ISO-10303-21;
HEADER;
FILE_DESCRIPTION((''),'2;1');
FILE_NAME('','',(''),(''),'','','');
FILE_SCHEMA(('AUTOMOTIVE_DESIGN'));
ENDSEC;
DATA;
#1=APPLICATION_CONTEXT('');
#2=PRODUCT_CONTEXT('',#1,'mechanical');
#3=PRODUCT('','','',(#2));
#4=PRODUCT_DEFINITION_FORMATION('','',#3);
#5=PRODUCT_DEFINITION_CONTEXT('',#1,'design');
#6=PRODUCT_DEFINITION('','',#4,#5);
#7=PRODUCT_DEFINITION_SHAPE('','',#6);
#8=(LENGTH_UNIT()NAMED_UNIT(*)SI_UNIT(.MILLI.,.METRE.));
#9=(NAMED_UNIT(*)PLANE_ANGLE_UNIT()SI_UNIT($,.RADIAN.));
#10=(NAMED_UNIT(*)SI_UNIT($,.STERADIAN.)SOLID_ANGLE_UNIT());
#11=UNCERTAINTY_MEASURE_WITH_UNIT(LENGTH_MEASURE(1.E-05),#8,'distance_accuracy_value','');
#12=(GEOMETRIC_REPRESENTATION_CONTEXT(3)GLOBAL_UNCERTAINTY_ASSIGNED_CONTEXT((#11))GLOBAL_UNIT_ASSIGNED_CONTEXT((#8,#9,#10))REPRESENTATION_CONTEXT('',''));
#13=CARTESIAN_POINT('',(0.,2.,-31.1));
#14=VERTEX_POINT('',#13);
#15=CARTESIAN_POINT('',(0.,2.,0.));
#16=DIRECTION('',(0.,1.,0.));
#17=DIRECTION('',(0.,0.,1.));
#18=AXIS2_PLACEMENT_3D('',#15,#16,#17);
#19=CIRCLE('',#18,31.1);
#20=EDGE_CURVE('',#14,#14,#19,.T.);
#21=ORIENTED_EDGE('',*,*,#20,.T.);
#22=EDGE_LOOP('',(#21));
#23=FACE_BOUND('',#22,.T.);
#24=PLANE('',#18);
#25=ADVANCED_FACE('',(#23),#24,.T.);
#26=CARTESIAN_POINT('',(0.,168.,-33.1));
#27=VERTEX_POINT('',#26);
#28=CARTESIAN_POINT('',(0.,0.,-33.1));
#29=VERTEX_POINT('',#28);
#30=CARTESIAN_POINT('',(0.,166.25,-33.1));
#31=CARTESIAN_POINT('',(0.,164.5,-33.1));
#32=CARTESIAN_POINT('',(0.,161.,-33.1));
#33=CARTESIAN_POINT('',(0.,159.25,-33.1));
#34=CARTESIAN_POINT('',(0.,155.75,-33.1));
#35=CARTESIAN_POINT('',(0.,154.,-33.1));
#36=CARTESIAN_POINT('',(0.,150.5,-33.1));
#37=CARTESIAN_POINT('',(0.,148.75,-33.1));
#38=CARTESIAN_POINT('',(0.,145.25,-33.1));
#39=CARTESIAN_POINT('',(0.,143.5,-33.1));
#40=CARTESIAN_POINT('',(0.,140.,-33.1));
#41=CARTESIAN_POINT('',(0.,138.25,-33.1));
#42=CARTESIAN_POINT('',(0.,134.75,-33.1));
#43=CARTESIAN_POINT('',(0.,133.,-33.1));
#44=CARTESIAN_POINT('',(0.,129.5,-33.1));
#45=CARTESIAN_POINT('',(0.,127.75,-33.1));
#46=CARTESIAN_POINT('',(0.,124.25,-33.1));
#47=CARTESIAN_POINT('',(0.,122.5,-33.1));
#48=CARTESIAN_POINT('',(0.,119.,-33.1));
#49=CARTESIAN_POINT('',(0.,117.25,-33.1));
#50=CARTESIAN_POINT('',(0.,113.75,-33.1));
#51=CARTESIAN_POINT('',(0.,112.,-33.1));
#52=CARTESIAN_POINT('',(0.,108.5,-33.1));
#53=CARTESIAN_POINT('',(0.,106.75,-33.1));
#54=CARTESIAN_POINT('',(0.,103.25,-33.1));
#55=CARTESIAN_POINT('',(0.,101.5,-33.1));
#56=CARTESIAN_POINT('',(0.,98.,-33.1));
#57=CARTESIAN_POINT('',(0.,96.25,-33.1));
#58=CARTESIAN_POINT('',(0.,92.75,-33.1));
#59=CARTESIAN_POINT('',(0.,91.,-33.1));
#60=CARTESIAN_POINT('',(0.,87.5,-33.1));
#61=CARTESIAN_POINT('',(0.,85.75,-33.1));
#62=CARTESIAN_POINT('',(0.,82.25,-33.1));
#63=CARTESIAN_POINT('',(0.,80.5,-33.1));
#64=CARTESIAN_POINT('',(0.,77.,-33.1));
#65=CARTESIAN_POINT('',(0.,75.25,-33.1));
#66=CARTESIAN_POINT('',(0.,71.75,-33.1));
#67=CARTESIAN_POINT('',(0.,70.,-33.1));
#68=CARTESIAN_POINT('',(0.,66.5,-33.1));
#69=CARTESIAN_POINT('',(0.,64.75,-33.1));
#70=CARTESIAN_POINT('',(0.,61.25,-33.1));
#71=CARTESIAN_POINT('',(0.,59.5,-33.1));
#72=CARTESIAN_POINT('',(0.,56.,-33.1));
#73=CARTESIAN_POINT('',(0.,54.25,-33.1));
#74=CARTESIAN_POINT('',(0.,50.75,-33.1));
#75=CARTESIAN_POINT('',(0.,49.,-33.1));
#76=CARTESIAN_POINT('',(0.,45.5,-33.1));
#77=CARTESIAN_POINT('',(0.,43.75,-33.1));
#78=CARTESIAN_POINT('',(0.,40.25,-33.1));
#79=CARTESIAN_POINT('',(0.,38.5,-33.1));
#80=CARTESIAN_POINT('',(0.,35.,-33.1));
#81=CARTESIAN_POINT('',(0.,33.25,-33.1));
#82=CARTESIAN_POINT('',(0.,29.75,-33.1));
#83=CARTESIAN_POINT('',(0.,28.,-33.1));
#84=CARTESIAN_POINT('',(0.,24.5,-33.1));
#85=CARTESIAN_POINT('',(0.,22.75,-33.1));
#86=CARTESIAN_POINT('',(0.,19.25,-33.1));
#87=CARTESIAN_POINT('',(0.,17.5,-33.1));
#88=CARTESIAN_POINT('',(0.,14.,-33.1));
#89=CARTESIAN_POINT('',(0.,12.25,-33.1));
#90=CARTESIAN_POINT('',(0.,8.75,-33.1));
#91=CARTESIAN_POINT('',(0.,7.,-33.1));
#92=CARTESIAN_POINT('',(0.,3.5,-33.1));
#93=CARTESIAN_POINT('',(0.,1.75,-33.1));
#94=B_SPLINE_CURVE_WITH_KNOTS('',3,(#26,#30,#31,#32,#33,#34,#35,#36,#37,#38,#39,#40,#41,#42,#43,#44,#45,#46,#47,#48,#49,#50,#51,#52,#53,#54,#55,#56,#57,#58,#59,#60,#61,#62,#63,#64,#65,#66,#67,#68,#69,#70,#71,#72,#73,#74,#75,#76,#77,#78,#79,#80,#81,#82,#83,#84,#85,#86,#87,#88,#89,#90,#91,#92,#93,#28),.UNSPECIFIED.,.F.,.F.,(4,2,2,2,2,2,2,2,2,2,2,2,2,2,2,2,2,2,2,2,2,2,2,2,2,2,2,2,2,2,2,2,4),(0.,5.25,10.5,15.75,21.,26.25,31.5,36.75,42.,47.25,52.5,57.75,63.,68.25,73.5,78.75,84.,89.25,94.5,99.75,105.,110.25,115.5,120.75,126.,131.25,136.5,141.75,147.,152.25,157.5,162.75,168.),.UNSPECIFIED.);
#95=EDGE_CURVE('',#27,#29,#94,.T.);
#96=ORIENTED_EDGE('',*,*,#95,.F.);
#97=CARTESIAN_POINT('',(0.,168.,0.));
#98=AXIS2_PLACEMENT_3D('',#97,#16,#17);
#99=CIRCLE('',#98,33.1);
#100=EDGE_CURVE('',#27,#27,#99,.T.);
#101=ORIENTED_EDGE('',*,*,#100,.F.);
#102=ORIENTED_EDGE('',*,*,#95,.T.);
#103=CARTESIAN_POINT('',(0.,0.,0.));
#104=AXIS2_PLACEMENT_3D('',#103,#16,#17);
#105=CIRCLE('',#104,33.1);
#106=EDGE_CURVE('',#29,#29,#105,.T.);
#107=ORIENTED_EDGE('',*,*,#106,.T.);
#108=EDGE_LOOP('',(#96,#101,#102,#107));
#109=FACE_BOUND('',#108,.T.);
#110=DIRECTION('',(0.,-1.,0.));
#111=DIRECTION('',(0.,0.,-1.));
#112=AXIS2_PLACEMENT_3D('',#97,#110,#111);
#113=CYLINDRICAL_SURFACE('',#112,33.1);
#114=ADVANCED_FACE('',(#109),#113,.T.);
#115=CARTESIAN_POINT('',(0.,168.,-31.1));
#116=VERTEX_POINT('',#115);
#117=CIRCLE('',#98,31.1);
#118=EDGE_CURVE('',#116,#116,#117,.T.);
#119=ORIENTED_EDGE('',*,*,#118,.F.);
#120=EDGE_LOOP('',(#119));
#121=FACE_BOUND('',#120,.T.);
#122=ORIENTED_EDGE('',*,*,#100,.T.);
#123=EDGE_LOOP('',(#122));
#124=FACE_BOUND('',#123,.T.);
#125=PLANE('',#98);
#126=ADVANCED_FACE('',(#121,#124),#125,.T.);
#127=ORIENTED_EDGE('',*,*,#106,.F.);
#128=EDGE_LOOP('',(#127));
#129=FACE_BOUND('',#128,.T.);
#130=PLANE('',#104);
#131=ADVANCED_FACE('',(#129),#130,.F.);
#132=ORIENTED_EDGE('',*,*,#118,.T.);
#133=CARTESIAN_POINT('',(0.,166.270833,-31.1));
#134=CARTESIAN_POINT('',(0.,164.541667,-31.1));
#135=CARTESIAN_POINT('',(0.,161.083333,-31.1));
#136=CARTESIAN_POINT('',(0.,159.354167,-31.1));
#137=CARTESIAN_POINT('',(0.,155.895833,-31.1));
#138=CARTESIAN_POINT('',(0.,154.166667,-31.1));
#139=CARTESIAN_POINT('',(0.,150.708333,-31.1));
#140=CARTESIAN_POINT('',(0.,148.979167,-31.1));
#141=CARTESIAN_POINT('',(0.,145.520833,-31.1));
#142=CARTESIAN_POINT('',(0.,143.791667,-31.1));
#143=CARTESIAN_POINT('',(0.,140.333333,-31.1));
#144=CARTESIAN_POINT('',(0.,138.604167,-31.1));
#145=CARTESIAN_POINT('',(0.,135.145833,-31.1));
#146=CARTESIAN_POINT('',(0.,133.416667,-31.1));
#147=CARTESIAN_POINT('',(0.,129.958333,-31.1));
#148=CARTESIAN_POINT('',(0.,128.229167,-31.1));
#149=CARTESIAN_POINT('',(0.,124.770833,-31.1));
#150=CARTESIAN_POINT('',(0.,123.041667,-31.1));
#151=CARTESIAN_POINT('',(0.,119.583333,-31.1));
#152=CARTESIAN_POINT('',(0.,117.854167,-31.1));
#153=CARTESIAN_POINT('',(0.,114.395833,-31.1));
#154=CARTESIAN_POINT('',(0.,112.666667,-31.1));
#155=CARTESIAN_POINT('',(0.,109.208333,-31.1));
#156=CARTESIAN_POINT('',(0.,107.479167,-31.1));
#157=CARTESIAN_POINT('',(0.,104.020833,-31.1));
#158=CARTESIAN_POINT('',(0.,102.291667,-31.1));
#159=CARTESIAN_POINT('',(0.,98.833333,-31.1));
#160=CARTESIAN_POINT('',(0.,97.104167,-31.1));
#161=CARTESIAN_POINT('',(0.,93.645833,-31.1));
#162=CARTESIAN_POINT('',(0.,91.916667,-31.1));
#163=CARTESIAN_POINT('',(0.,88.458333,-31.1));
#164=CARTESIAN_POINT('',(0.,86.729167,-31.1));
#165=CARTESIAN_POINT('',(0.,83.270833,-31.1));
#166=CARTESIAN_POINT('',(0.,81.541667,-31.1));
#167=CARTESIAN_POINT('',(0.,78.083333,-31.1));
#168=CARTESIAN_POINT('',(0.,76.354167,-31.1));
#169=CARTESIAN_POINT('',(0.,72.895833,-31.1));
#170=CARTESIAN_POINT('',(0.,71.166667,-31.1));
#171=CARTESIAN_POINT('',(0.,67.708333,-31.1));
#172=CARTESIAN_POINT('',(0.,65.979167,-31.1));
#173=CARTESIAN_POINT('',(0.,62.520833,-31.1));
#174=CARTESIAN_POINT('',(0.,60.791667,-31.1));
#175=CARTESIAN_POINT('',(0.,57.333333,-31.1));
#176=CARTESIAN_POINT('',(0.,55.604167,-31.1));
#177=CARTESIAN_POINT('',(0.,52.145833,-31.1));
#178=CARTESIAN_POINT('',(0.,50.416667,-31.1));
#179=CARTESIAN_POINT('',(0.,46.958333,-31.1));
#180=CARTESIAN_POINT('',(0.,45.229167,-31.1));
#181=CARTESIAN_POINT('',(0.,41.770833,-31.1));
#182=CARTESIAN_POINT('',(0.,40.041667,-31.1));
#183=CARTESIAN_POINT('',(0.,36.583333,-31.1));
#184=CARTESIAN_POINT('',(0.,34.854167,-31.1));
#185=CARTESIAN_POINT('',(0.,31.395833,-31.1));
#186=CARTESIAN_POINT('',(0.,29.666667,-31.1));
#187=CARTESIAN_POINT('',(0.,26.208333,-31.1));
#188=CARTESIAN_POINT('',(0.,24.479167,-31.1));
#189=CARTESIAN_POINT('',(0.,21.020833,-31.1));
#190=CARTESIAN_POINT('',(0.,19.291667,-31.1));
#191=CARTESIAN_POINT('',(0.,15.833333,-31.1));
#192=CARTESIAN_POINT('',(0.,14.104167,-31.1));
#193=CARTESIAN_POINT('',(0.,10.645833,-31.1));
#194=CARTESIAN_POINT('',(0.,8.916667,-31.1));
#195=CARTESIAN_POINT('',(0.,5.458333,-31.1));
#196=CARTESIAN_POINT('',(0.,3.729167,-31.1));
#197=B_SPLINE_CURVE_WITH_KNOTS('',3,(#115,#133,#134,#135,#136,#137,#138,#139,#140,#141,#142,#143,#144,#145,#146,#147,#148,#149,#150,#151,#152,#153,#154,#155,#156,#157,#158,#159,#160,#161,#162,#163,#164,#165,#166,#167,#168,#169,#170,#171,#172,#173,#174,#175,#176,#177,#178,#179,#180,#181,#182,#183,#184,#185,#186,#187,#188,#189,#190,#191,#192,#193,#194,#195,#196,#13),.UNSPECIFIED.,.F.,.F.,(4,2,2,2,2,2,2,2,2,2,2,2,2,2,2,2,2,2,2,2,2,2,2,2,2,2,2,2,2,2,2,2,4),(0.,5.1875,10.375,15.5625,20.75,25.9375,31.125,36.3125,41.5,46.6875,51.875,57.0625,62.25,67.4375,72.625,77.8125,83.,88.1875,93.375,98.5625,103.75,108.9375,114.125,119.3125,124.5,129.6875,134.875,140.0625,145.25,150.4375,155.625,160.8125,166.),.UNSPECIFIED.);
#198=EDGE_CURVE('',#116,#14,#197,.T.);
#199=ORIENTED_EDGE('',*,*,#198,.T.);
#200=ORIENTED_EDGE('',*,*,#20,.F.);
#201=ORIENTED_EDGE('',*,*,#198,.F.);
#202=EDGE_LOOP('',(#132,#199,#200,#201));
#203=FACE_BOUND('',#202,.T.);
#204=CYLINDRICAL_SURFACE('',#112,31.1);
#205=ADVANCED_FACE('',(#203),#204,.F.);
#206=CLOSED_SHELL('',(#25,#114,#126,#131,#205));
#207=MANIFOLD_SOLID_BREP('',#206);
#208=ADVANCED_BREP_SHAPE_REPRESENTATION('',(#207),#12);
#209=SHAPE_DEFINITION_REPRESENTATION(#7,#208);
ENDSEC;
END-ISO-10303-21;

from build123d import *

# Parameters (mm, degrees)
SKETCH1_R           = 33.1
BOSS_EXTRUDE1_DEPTH = 168
SHELL1_T            = 2
CUT_EXTRUDE1_START  = -38
SKETCH2_R           = 31.1
CUT_EXTRUDE1_DEPTH  = 38


with BuildPart() as part:
    # Sketch1 → Boss-Extrude1 (new body)
    with BuildSketch(Plane(origin=(0, 0, 0), x_dir=(1, 0, 0), z_dir=(0, 1, 0))):
        with Locations(Location((0, 0, 0), (0, 0, 90))):
            Circle(SKETCH1_R)
    extrude(amount=BOSS_EXTRUDE1_DEPTH)

    # Shell1 (no face opened: a closed hollow body)
    add(offset(amount=-SHELL1_T, mode=Mode.PRIVATE), mode=Mode.SUBTRACT)

    # Sketch2 → Cut-Extrude1 (cut)
    with BuildSketch(Plane(origin=(0, 168, 0), x_dir=(1, 0, 0), z_dir=(0, 1, 0)).offset(CUT_EXTRUDE1_START)):
        with Locations(Location((0, 0, 0), (0, 0, 90))):
            Circle(SKETCH2_R)
    extrude(amount=CUT_EXTRUDE1_DEPTH, mode=Mode.SUBTRACT)


solid = part.part
